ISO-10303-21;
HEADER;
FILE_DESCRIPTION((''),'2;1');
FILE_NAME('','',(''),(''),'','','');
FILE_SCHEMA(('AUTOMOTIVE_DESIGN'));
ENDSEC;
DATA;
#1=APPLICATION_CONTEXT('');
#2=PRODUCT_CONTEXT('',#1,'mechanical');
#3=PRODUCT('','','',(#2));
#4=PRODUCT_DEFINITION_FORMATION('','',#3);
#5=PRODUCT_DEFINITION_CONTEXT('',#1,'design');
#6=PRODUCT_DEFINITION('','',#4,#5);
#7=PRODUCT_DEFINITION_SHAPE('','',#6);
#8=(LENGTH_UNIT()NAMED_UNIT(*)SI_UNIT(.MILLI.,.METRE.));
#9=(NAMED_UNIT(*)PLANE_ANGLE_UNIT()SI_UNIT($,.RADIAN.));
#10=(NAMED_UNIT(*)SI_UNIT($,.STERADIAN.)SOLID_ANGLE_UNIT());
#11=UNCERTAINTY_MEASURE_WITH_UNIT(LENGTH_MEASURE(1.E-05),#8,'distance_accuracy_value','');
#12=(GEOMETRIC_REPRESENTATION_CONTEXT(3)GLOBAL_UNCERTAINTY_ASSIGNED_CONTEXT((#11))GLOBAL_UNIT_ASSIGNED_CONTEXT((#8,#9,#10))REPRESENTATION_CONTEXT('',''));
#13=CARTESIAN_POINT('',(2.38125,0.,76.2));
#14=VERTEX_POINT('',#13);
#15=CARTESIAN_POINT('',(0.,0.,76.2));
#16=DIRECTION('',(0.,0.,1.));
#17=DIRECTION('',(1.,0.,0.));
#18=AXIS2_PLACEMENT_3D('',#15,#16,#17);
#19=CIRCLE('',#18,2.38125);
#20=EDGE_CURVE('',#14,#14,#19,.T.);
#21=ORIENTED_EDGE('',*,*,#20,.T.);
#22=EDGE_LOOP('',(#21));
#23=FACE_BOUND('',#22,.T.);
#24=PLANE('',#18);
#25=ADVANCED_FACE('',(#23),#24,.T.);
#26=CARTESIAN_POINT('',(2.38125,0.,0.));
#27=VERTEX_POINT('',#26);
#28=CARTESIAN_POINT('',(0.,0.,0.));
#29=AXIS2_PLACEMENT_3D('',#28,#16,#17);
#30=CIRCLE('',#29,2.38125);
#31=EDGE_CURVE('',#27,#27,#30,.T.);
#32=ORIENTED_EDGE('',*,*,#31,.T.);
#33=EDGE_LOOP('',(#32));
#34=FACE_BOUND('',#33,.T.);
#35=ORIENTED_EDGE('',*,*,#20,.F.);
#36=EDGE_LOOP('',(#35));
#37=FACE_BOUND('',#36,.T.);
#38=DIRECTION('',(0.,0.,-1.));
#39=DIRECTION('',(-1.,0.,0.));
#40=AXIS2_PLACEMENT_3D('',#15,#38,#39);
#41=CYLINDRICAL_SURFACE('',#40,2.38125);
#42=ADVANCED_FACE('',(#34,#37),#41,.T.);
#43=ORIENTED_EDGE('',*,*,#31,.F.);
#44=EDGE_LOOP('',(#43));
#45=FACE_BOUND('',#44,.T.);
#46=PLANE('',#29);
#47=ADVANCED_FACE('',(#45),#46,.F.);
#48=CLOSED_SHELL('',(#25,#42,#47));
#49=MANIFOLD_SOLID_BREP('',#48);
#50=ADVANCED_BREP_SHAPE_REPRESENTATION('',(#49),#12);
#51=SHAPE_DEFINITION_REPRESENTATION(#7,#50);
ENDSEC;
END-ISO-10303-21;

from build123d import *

# Parameters (mm, degrees)
SKETCH1_R           = 2.38125
BOSS_EXTRUDE1_DEPTH = 76.2


with BuildPart() as part:
    # Sketch1 → Boss-Extrude1 (new body)
    with BuildSketch(Plane.XY):
        Circle(SKETCH1_R)
    extrude(amount=BOSS_EXTRUDE1_DEPTH)


solid = part.part
